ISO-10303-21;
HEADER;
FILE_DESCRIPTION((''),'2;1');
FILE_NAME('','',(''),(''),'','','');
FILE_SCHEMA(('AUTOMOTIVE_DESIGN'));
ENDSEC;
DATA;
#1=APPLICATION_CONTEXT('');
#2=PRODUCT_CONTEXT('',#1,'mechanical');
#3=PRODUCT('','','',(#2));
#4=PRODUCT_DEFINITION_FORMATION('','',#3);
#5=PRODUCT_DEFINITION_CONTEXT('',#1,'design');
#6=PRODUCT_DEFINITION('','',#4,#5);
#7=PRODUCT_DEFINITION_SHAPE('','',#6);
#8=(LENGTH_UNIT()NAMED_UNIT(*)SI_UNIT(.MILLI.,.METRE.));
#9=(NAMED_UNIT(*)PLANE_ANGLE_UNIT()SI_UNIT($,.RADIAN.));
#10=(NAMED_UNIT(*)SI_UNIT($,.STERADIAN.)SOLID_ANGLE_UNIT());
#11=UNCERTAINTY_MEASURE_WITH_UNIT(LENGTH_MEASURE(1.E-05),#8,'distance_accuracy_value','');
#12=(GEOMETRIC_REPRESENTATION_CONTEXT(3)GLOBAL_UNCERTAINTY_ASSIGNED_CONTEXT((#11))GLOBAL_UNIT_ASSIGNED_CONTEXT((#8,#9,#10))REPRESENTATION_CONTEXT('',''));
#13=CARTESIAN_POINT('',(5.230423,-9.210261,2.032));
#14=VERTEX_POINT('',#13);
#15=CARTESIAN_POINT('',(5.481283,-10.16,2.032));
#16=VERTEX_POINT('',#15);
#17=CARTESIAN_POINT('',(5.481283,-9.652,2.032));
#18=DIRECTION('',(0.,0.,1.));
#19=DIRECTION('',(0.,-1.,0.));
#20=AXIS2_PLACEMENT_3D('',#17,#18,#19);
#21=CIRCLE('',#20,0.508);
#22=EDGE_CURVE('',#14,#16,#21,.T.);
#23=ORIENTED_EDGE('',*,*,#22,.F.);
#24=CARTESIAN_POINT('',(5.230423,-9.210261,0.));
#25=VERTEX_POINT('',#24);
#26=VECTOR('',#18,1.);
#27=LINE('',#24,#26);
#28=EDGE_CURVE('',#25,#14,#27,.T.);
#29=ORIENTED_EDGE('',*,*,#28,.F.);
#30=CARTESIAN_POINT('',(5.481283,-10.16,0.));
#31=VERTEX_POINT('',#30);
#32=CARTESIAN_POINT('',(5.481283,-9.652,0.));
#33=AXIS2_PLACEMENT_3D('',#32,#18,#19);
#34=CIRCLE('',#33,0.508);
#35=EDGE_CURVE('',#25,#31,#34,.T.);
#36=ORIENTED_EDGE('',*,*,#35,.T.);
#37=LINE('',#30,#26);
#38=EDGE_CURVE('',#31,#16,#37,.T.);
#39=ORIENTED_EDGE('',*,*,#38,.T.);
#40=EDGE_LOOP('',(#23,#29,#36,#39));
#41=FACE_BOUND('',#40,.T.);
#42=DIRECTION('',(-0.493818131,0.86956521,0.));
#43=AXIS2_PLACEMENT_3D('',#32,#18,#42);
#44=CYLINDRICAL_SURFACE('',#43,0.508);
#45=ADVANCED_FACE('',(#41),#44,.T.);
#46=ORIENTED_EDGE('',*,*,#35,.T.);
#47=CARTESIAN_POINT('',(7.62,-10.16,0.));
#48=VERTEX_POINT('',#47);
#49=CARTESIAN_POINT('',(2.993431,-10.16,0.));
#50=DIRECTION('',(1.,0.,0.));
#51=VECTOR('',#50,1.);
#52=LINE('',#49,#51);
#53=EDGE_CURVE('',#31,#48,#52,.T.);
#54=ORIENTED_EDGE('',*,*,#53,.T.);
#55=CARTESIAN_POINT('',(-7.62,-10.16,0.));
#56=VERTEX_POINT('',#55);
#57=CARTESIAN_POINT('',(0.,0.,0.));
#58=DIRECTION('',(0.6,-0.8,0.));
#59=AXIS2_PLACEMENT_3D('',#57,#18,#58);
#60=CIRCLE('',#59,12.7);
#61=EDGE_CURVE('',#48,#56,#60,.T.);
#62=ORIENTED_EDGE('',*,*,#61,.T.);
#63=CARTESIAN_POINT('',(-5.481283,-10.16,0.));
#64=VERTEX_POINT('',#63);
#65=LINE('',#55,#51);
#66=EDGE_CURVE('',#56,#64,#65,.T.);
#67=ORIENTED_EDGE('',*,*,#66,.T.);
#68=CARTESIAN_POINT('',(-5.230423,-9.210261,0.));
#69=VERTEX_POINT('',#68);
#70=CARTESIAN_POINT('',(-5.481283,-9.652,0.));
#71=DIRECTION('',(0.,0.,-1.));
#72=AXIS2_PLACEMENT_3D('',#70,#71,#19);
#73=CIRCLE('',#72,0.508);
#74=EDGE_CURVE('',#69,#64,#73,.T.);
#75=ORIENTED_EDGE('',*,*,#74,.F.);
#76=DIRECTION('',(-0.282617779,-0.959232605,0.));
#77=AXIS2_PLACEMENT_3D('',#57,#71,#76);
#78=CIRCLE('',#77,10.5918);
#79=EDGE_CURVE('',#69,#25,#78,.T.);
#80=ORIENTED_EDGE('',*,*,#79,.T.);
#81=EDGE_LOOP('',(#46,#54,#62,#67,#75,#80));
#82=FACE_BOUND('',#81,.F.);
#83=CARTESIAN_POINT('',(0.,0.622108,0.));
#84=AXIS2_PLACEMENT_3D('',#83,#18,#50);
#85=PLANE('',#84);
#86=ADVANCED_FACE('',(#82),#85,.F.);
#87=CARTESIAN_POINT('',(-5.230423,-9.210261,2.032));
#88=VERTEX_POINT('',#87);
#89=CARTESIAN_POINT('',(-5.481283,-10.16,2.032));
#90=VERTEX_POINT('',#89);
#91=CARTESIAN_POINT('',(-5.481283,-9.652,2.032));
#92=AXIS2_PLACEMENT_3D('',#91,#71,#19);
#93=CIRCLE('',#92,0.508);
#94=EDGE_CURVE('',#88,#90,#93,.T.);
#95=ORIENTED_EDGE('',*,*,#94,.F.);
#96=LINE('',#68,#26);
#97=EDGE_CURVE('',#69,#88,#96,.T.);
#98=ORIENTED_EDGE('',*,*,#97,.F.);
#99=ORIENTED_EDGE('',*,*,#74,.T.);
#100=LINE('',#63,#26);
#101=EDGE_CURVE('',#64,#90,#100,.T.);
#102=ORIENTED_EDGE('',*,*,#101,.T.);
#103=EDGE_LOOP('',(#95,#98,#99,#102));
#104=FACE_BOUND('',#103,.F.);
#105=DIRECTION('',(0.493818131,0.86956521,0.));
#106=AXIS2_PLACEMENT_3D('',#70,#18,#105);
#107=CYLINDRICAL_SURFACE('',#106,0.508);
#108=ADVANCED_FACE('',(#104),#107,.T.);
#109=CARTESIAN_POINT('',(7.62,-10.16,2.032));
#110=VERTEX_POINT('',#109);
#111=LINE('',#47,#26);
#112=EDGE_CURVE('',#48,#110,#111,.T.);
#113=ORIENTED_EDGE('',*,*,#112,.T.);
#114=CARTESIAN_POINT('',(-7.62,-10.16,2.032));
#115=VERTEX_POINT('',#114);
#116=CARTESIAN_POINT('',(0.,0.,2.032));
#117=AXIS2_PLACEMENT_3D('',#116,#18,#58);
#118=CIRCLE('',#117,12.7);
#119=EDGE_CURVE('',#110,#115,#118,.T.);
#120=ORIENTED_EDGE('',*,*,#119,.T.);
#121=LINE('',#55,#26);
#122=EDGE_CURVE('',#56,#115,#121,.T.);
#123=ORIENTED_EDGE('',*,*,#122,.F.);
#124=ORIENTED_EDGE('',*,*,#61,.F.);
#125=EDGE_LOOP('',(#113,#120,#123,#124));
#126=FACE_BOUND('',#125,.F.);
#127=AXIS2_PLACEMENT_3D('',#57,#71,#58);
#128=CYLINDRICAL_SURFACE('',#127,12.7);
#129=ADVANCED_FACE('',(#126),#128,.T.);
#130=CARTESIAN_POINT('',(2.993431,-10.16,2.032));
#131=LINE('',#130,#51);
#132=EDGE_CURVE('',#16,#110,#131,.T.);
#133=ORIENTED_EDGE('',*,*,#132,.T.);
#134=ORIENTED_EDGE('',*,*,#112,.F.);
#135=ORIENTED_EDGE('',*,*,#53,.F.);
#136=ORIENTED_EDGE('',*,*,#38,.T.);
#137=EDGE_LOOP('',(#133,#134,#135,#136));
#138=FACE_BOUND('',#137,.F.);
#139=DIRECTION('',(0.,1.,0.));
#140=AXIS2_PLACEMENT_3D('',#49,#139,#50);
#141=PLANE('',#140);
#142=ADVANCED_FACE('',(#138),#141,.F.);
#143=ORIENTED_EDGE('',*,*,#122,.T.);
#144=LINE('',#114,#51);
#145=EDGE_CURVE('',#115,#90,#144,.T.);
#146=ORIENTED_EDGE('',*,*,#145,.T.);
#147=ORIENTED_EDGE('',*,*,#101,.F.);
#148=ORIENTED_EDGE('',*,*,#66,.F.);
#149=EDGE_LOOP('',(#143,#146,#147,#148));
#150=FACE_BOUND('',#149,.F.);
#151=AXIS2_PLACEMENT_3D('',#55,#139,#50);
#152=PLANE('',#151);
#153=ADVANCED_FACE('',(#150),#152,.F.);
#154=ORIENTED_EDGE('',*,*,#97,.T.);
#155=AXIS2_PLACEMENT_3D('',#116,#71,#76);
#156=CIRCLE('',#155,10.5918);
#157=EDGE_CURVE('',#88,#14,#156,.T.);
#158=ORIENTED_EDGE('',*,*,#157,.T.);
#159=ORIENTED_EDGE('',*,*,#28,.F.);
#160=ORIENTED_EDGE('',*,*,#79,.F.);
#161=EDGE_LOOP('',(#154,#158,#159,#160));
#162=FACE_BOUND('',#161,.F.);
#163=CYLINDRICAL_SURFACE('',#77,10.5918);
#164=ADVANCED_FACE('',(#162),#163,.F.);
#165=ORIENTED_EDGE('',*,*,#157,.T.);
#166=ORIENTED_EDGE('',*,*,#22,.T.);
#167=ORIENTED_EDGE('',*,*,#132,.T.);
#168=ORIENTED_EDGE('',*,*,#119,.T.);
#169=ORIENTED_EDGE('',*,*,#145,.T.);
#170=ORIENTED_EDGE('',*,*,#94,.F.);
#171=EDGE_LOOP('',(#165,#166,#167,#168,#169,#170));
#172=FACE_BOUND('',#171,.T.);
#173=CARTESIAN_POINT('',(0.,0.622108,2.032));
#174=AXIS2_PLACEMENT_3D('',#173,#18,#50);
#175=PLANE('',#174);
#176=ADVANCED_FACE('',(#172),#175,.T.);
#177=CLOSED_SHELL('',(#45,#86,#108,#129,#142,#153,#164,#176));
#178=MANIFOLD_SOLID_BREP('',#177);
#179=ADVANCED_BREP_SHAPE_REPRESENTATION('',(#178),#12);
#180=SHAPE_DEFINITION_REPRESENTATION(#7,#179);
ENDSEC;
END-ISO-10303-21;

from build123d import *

# Parameters (mm, degrees)
F1_DEPTH = 2.032
F2_R     = 0.508


with BuildPart() as f1:
    # F0 (on Top) → F1 (new body)
    with BuildSketch(Plane.XY):
        with BuildLine():
            ThreePointArc((-2.993431, -10.16), (0, 10.5918), (2.993431, -10.16))
            Line((2.993431, -10.16), (7.62, -10.16))
            ThreePointArc((7.62, -10.16), (0, 12.7), (-7.62, -10.16))
            Line((-7.62, -10.16), (-2.993431, -10.16))
        make_face()
    extrude(amount=F1_DEPTH)

    # F2
    f2_edges = [f1.edges().sort_by_distance(p)[0] for p in [
        (-2.993431, -10.16, 1.016),
        (2.993431, -10.16, 1.016),
    ]]
    fillet(f2_edges, radius=F2_R)


solid = f1.part
